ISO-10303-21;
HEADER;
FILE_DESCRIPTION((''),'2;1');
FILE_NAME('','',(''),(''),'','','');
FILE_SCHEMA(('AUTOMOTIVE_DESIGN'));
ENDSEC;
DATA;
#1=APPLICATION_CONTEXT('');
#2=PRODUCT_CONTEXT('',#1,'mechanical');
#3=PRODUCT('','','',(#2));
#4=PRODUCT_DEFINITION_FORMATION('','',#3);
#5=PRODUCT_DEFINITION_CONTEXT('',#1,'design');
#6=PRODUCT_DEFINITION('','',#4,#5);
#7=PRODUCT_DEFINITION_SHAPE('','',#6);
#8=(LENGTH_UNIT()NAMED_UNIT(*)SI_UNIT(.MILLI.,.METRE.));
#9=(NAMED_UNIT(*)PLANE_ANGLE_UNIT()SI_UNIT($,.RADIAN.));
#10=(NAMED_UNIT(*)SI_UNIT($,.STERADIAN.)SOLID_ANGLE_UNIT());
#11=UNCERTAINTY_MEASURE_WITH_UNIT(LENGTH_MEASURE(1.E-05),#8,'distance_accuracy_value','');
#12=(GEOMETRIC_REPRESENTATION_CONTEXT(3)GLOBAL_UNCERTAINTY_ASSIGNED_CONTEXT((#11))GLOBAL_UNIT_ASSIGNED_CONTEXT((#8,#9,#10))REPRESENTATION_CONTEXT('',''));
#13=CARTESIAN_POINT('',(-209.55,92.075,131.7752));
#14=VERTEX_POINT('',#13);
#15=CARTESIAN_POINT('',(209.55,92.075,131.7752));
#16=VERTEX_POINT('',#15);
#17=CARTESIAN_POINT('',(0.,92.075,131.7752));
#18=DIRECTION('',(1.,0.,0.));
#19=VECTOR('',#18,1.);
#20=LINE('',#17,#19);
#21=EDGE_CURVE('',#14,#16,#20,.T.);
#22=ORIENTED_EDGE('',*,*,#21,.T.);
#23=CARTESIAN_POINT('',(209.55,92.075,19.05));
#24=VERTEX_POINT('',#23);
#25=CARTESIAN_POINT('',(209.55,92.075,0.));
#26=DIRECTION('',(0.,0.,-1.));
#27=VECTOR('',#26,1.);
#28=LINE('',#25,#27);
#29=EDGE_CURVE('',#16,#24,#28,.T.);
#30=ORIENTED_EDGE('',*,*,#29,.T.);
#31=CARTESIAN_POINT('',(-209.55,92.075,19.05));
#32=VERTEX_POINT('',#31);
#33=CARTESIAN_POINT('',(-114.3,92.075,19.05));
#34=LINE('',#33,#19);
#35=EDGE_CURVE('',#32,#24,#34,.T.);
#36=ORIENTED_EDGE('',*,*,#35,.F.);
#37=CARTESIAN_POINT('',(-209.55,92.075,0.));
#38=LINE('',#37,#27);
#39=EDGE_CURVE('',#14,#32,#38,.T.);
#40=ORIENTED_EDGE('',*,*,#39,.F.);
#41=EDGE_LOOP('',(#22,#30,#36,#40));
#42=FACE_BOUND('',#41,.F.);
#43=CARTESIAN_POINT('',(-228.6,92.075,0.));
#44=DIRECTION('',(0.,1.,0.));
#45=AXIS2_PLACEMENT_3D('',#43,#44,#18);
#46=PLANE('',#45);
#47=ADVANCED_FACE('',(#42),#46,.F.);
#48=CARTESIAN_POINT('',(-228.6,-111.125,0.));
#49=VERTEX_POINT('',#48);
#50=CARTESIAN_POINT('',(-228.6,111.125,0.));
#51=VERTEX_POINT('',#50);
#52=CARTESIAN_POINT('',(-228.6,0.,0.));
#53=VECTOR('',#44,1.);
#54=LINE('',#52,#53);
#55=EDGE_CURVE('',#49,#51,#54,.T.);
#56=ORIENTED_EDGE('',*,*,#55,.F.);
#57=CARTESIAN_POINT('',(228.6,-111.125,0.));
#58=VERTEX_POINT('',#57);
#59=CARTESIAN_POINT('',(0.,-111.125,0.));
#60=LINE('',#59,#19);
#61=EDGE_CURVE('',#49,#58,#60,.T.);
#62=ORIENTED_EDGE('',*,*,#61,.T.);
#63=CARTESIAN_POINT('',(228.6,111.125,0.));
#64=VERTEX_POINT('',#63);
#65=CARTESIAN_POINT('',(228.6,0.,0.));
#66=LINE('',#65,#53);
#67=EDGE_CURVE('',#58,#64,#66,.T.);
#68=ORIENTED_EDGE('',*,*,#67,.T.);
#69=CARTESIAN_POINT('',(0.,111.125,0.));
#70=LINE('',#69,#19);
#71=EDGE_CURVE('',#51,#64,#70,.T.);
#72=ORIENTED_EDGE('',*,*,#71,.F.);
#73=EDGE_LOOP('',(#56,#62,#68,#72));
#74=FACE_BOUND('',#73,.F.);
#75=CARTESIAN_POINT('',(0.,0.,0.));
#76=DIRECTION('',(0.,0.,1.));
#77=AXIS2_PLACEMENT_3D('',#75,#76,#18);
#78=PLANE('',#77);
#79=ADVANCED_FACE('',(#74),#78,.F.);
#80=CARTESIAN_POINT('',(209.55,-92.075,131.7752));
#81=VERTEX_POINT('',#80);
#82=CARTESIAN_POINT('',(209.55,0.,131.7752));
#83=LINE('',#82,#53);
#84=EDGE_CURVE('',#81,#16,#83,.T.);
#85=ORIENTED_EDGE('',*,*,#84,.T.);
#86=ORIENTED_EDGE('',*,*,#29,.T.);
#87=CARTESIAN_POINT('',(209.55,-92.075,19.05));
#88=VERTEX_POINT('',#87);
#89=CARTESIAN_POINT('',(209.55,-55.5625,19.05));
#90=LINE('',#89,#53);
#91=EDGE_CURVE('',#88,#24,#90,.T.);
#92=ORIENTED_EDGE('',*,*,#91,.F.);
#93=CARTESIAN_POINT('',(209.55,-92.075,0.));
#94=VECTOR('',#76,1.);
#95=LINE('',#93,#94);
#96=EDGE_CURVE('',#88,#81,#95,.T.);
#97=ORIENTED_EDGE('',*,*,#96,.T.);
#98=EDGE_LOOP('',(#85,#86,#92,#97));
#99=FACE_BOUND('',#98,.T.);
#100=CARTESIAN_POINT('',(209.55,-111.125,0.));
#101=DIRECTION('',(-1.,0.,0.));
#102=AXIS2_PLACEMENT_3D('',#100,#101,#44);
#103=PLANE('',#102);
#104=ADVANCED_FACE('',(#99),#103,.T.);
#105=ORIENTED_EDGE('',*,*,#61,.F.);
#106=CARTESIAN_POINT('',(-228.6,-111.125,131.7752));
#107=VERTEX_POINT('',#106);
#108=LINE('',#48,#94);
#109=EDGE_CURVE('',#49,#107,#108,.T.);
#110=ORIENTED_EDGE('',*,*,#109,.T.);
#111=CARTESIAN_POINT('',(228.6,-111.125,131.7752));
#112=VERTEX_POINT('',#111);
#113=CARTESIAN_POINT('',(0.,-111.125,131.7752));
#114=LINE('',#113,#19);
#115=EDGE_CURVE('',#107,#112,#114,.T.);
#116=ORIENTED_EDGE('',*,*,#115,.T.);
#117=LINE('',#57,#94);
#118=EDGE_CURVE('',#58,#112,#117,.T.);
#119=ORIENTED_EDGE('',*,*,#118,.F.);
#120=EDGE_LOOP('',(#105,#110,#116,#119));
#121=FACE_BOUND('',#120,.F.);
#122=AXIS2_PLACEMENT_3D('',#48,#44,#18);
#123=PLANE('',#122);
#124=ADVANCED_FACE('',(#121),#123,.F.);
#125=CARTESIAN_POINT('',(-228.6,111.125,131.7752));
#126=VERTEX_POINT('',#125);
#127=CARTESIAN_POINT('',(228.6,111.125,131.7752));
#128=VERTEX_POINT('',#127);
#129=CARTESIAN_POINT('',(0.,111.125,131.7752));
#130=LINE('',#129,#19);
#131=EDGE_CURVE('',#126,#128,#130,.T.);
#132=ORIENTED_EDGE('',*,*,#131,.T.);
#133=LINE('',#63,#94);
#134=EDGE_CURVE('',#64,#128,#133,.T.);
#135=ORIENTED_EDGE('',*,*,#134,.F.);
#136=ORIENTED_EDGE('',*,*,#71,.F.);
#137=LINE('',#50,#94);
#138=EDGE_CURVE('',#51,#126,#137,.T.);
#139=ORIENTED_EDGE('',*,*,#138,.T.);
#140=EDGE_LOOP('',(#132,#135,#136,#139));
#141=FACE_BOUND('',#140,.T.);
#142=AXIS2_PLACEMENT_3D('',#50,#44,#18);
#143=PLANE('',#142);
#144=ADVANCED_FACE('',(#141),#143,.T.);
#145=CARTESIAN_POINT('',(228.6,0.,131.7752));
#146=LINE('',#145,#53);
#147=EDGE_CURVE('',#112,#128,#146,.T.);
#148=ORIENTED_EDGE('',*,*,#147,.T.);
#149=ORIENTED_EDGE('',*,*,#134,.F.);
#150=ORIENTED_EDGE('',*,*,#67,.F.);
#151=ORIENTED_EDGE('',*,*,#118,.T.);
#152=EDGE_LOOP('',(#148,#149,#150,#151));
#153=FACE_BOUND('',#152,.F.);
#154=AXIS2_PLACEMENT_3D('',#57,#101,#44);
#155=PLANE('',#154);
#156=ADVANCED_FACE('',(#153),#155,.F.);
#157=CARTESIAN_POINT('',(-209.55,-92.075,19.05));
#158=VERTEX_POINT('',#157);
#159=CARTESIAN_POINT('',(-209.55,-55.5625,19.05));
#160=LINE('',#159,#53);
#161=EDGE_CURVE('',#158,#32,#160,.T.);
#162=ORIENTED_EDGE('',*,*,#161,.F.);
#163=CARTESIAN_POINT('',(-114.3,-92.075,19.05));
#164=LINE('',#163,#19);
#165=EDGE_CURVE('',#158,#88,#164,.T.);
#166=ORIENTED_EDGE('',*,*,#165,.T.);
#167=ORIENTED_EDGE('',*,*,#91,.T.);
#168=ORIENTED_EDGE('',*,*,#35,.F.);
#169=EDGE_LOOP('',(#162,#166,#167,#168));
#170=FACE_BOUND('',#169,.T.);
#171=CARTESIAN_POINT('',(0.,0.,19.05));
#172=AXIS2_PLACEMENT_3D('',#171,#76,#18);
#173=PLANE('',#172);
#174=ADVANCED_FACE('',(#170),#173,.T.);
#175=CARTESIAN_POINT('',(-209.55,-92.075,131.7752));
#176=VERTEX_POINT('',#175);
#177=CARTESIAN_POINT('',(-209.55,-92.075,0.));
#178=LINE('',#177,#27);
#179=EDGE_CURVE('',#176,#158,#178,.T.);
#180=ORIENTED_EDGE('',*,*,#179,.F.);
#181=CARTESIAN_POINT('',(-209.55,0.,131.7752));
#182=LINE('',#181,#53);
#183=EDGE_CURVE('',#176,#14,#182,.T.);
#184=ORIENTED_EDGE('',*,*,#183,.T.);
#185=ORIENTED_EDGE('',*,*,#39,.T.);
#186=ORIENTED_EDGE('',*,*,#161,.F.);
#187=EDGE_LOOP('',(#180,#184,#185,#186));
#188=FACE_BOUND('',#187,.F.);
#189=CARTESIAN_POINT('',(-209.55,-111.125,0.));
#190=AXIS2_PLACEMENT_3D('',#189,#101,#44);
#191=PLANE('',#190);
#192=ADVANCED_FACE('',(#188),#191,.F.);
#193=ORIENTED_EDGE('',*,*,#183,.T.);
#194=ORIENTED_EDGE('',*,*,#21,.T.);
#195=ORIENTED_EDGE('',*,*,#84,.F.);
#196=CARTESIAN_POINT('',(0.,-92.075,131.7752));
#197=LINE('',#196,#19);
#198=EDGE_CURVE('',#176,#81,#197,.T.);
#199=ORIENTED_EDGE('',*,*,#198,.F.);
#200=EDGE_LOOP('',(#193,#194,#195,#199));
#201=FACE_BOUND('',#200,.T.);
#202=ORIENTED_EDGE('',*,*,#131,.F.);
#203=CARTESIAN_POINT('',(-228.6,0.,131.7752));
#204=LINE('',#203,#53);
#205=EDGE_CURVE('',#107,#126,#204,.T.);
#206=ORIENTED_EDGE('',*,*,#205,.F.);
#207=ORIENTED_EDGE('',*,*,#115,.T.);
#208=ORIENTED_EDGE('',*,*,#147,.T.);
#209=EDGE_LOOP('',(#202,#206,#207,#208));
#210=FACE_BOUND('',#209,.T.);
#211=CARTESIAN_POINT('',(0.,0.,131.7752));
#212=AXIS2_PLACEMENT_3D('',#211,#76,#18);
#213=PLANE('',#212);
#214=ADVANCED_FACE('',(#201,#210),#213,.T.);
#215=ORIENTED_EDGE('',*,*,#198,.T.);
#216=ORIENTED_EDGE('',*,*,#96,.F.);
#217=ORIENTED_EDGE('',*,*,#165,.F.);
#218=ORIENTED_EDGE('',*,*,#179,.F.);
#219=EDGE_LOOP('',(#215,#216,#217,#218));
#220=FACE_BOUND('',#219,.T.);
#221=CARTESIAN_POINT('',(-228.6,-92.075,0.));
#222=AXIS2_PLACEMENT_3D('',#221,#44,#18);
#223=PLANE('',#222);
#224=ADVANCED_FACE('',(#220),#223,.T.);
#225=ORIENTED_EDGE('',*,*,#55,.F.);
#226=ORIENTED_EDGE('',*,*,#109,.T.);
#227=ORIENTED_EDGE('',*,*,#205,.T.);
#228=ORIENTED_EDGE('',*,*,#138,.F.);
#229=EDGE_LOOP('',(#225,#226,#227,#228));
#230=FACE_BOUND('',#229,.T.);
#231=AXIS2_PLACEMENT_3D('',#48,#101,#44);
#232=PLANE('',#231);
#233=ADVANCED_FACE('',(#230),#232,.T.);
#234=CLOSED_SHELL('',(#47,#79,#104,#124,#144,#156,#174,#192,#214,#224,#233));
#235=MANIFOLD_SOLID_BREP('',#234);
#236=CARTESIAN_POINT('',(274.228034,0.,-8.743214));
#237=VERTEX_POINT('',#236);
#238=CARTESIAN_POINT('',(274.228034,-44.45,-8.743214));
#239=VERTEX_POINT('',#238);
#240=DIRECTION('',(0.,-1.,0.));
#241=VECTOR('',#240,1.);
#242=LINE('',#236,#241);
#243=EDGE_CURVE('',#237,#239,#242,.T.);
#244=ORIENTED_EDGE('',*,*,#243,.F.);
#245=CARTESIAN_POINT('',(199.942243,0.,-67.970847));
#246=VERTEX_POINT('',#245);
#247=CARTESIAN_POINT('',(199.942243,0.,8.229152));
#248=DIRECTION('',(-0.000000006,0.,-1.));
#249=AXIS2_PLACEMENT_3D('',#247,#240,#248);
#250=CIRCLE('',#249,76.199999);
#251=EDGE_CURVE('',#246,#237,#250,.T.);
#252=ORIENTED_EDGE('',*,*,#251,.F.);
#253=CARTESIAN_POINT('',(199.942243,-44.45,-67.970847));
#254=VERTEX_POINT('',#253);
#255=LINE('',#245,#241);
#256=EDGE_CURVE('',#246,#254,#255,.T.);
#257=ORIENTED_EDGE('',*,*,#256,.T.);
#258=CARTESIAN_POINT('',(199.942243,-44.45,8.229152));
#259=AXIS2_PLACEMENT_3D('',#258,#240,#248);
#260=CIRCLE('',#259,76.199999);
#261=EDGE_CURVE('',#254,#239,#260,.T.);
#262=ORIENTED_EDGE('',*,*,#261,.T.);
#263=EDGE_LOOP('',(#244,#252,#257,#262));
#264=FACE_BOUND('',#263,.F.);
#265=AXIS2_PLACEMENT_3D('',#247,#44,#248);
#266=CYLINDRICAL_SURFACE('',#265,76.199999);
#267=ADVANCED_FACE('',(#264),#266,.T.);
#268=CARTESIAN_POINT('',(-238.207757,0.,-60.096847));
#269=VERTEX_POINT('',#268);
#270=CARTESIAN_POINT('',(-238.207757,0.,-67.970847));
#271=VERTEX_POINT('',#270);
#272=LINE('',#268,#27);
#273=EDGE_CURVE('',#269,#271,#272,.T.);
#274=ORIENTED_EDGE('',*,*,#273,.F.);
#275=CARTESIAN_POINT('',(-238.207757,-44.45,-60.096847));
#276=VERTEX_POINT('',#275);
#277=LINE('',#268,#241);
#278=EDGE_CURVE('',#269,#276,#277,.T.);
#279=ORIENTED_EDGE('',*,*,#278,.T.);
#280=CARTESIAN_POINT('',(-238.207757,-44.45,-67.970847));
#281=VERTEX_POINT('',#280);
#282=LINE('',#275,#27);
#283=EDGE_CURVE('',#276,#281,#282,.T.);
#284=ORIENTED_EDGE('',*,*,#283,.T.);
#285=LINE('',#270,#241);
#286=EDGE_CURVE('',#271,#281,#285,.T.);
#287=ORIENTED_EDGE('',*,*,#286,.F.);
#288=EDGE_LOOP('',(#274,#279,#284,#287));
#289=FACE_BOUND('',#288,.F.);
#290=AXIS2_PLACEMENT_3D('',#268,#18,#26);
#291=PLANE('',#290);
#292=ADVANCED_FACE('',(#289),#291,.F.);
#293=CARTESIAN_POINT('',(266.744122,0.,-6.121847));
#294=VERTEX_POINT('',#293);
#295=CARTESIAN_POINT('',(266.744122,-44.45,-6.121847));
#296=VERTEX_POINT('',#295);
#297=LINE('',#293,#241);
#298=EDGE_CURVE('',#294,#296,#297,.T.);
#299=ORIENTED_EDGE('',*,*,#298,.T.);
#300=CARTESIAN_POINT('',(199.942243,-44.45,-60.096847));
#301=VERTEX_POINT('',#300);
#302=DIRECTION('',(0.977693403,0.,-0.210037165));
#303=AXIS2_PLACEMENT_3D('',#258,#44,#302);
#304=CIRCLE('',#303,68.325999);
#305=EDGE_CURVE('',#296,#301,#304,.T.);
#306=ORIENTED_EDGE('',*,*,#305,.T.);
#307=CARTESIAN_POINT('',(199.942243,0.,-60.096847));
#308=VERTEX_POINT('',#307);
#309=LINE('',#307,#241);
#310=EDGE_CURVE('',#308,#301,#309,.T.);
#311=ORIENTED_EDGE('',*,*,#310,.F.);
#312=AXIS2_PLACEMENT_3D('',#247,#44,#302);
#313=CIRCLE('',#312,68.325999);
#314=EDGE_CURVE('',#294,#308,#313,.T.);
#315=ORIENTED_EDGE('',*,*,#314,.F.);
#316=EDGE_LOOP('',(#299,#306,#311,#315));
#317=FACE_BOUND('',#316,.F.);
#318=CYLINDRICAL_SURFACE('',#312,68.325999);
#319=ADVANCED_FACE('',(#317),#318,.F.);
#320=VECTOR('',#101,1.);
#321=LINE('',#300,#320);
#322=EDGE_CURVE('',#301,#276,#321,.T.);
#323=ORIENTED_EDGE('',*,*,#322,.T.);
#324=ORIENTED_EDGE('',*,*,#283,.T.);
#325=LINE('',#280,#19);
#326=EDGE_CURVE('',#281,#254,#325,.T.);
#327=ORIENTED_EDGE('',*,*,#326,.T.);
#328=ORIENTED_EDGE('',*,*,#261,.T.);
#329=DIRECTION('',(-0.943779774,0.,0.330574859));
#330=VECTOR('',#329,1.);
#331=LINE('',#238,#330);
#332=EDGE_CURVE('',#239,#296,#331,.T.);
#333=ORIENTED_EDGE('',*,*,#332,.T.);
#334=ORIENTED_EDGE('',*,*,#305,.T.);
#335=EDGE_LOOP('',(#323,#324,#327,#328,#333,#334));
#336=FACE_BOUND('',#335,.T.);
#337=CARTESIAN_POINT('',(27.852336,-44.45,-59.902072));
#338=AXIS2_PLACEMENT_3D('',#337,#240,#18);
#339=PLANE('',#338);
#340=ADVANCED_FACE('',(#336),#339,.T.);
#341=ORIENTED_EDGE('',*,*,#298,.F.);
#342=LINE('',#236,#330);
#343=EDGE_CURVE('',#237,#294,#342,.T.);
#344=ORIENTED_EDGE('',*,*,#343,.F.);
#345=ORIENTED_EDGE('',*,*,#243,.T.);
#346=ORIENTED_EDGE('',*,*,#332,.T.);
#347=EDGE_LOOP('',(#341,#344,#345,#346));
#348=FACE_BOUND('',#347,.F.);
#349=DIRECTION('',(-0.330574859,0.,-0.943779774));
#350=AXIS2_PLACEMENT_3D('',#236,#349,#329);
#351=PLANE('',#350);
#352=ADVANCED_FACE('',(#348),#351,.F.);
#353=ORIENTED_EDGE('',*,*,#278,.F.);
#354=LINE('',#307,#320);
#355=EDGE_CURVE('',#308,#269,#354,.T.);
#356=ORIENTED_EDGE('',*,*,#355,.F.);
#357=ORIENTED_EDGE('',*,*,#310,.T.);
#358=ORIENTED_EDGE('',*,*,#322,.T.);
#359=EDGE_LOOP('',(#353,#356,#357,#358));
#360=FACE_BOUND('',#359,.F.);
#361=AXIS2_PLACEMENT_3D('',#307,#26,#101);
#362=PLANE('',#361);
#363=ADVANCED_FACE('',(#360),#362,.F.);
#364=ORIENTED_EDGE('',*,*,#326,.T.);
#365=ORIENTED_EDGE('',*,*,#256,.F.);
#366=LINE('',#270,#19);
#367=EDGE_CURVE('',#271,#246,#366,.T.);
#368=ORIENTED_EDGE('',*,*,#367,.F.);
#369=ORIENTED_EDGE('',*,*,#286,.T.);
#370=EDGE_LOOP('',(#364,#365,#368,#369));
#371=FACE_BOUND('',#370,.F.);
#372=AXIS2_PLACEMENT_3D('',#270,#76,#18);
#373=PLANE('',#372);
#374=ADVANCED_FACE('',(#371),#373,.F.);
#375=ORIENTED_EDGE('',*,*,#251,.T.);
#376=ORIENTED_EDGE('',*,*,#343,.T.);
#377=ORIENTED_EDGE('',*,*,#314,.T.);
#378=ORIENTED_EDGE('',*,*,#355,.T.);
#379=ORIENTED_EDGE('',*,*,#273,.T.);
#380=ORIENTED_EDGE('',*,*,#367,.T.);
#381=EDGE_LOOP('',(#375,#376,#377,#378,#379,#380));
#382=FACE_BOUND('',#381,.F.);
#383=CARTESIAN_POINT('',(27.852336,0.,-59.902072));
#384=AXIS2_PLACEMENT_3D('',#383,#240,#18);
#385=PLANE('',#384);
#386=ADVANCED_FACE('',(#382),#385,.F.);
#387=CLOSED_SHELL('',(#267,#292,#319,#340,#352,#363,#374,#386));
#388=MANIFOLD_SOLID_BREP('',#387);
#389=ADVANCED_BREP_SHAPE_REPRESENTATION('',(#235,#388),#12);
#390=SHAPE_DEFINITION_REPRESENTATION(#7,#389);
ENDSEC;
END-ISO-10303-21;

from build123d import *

# Parameters (mm, degrees)
F0_W     = 457.2
F0_H     = 222.25
F1_DEPTH = 131.7752
F2_T     = -19.05
F4_DEPTH = 44.45


with BuildPart() as f1:
    # F0 (on Top) → F1 (new body)
    with BuildSketch(Plane.XY):
        Rectangle(F0_W, F0_H)
    extrude(amount=F1_DEPTH)

    # F2
    f2_openings = [f1.faces().sort_by_distance(p)[0] for p in [
        (0, 0, 131.7752),
    ]]
    offset(amount=F2_T, openings=f2_openings)


with BuildPart() as f4:
    # F3 (on Front) → F4 (new body)
    with BuildSketch(Plane.XZ):
        with BuildLine():
            Line((-238.207757, -60.096847), (-238.207757, -67.970847))
            Line((-238.207757, -67.970847), (199.942243, -67.970847))
            ThreePointArc((199.942243, -67.970847), (247.445641, -51.351609), (274.228034, -8.743214))
            Line((274.228034, -8.743214), (266.744122, -6.121847))
            ThreePointArc((266.744122, -6.121847), (242.883458, -44.916819), (199.942243, -60.096847))
            Line((199.942243, -60.096847), (-238.207757, -60.096847))
        make_face()
    extrude(amount=F4_DEPTH)


solid = Compound([f1.part, f4.part])
